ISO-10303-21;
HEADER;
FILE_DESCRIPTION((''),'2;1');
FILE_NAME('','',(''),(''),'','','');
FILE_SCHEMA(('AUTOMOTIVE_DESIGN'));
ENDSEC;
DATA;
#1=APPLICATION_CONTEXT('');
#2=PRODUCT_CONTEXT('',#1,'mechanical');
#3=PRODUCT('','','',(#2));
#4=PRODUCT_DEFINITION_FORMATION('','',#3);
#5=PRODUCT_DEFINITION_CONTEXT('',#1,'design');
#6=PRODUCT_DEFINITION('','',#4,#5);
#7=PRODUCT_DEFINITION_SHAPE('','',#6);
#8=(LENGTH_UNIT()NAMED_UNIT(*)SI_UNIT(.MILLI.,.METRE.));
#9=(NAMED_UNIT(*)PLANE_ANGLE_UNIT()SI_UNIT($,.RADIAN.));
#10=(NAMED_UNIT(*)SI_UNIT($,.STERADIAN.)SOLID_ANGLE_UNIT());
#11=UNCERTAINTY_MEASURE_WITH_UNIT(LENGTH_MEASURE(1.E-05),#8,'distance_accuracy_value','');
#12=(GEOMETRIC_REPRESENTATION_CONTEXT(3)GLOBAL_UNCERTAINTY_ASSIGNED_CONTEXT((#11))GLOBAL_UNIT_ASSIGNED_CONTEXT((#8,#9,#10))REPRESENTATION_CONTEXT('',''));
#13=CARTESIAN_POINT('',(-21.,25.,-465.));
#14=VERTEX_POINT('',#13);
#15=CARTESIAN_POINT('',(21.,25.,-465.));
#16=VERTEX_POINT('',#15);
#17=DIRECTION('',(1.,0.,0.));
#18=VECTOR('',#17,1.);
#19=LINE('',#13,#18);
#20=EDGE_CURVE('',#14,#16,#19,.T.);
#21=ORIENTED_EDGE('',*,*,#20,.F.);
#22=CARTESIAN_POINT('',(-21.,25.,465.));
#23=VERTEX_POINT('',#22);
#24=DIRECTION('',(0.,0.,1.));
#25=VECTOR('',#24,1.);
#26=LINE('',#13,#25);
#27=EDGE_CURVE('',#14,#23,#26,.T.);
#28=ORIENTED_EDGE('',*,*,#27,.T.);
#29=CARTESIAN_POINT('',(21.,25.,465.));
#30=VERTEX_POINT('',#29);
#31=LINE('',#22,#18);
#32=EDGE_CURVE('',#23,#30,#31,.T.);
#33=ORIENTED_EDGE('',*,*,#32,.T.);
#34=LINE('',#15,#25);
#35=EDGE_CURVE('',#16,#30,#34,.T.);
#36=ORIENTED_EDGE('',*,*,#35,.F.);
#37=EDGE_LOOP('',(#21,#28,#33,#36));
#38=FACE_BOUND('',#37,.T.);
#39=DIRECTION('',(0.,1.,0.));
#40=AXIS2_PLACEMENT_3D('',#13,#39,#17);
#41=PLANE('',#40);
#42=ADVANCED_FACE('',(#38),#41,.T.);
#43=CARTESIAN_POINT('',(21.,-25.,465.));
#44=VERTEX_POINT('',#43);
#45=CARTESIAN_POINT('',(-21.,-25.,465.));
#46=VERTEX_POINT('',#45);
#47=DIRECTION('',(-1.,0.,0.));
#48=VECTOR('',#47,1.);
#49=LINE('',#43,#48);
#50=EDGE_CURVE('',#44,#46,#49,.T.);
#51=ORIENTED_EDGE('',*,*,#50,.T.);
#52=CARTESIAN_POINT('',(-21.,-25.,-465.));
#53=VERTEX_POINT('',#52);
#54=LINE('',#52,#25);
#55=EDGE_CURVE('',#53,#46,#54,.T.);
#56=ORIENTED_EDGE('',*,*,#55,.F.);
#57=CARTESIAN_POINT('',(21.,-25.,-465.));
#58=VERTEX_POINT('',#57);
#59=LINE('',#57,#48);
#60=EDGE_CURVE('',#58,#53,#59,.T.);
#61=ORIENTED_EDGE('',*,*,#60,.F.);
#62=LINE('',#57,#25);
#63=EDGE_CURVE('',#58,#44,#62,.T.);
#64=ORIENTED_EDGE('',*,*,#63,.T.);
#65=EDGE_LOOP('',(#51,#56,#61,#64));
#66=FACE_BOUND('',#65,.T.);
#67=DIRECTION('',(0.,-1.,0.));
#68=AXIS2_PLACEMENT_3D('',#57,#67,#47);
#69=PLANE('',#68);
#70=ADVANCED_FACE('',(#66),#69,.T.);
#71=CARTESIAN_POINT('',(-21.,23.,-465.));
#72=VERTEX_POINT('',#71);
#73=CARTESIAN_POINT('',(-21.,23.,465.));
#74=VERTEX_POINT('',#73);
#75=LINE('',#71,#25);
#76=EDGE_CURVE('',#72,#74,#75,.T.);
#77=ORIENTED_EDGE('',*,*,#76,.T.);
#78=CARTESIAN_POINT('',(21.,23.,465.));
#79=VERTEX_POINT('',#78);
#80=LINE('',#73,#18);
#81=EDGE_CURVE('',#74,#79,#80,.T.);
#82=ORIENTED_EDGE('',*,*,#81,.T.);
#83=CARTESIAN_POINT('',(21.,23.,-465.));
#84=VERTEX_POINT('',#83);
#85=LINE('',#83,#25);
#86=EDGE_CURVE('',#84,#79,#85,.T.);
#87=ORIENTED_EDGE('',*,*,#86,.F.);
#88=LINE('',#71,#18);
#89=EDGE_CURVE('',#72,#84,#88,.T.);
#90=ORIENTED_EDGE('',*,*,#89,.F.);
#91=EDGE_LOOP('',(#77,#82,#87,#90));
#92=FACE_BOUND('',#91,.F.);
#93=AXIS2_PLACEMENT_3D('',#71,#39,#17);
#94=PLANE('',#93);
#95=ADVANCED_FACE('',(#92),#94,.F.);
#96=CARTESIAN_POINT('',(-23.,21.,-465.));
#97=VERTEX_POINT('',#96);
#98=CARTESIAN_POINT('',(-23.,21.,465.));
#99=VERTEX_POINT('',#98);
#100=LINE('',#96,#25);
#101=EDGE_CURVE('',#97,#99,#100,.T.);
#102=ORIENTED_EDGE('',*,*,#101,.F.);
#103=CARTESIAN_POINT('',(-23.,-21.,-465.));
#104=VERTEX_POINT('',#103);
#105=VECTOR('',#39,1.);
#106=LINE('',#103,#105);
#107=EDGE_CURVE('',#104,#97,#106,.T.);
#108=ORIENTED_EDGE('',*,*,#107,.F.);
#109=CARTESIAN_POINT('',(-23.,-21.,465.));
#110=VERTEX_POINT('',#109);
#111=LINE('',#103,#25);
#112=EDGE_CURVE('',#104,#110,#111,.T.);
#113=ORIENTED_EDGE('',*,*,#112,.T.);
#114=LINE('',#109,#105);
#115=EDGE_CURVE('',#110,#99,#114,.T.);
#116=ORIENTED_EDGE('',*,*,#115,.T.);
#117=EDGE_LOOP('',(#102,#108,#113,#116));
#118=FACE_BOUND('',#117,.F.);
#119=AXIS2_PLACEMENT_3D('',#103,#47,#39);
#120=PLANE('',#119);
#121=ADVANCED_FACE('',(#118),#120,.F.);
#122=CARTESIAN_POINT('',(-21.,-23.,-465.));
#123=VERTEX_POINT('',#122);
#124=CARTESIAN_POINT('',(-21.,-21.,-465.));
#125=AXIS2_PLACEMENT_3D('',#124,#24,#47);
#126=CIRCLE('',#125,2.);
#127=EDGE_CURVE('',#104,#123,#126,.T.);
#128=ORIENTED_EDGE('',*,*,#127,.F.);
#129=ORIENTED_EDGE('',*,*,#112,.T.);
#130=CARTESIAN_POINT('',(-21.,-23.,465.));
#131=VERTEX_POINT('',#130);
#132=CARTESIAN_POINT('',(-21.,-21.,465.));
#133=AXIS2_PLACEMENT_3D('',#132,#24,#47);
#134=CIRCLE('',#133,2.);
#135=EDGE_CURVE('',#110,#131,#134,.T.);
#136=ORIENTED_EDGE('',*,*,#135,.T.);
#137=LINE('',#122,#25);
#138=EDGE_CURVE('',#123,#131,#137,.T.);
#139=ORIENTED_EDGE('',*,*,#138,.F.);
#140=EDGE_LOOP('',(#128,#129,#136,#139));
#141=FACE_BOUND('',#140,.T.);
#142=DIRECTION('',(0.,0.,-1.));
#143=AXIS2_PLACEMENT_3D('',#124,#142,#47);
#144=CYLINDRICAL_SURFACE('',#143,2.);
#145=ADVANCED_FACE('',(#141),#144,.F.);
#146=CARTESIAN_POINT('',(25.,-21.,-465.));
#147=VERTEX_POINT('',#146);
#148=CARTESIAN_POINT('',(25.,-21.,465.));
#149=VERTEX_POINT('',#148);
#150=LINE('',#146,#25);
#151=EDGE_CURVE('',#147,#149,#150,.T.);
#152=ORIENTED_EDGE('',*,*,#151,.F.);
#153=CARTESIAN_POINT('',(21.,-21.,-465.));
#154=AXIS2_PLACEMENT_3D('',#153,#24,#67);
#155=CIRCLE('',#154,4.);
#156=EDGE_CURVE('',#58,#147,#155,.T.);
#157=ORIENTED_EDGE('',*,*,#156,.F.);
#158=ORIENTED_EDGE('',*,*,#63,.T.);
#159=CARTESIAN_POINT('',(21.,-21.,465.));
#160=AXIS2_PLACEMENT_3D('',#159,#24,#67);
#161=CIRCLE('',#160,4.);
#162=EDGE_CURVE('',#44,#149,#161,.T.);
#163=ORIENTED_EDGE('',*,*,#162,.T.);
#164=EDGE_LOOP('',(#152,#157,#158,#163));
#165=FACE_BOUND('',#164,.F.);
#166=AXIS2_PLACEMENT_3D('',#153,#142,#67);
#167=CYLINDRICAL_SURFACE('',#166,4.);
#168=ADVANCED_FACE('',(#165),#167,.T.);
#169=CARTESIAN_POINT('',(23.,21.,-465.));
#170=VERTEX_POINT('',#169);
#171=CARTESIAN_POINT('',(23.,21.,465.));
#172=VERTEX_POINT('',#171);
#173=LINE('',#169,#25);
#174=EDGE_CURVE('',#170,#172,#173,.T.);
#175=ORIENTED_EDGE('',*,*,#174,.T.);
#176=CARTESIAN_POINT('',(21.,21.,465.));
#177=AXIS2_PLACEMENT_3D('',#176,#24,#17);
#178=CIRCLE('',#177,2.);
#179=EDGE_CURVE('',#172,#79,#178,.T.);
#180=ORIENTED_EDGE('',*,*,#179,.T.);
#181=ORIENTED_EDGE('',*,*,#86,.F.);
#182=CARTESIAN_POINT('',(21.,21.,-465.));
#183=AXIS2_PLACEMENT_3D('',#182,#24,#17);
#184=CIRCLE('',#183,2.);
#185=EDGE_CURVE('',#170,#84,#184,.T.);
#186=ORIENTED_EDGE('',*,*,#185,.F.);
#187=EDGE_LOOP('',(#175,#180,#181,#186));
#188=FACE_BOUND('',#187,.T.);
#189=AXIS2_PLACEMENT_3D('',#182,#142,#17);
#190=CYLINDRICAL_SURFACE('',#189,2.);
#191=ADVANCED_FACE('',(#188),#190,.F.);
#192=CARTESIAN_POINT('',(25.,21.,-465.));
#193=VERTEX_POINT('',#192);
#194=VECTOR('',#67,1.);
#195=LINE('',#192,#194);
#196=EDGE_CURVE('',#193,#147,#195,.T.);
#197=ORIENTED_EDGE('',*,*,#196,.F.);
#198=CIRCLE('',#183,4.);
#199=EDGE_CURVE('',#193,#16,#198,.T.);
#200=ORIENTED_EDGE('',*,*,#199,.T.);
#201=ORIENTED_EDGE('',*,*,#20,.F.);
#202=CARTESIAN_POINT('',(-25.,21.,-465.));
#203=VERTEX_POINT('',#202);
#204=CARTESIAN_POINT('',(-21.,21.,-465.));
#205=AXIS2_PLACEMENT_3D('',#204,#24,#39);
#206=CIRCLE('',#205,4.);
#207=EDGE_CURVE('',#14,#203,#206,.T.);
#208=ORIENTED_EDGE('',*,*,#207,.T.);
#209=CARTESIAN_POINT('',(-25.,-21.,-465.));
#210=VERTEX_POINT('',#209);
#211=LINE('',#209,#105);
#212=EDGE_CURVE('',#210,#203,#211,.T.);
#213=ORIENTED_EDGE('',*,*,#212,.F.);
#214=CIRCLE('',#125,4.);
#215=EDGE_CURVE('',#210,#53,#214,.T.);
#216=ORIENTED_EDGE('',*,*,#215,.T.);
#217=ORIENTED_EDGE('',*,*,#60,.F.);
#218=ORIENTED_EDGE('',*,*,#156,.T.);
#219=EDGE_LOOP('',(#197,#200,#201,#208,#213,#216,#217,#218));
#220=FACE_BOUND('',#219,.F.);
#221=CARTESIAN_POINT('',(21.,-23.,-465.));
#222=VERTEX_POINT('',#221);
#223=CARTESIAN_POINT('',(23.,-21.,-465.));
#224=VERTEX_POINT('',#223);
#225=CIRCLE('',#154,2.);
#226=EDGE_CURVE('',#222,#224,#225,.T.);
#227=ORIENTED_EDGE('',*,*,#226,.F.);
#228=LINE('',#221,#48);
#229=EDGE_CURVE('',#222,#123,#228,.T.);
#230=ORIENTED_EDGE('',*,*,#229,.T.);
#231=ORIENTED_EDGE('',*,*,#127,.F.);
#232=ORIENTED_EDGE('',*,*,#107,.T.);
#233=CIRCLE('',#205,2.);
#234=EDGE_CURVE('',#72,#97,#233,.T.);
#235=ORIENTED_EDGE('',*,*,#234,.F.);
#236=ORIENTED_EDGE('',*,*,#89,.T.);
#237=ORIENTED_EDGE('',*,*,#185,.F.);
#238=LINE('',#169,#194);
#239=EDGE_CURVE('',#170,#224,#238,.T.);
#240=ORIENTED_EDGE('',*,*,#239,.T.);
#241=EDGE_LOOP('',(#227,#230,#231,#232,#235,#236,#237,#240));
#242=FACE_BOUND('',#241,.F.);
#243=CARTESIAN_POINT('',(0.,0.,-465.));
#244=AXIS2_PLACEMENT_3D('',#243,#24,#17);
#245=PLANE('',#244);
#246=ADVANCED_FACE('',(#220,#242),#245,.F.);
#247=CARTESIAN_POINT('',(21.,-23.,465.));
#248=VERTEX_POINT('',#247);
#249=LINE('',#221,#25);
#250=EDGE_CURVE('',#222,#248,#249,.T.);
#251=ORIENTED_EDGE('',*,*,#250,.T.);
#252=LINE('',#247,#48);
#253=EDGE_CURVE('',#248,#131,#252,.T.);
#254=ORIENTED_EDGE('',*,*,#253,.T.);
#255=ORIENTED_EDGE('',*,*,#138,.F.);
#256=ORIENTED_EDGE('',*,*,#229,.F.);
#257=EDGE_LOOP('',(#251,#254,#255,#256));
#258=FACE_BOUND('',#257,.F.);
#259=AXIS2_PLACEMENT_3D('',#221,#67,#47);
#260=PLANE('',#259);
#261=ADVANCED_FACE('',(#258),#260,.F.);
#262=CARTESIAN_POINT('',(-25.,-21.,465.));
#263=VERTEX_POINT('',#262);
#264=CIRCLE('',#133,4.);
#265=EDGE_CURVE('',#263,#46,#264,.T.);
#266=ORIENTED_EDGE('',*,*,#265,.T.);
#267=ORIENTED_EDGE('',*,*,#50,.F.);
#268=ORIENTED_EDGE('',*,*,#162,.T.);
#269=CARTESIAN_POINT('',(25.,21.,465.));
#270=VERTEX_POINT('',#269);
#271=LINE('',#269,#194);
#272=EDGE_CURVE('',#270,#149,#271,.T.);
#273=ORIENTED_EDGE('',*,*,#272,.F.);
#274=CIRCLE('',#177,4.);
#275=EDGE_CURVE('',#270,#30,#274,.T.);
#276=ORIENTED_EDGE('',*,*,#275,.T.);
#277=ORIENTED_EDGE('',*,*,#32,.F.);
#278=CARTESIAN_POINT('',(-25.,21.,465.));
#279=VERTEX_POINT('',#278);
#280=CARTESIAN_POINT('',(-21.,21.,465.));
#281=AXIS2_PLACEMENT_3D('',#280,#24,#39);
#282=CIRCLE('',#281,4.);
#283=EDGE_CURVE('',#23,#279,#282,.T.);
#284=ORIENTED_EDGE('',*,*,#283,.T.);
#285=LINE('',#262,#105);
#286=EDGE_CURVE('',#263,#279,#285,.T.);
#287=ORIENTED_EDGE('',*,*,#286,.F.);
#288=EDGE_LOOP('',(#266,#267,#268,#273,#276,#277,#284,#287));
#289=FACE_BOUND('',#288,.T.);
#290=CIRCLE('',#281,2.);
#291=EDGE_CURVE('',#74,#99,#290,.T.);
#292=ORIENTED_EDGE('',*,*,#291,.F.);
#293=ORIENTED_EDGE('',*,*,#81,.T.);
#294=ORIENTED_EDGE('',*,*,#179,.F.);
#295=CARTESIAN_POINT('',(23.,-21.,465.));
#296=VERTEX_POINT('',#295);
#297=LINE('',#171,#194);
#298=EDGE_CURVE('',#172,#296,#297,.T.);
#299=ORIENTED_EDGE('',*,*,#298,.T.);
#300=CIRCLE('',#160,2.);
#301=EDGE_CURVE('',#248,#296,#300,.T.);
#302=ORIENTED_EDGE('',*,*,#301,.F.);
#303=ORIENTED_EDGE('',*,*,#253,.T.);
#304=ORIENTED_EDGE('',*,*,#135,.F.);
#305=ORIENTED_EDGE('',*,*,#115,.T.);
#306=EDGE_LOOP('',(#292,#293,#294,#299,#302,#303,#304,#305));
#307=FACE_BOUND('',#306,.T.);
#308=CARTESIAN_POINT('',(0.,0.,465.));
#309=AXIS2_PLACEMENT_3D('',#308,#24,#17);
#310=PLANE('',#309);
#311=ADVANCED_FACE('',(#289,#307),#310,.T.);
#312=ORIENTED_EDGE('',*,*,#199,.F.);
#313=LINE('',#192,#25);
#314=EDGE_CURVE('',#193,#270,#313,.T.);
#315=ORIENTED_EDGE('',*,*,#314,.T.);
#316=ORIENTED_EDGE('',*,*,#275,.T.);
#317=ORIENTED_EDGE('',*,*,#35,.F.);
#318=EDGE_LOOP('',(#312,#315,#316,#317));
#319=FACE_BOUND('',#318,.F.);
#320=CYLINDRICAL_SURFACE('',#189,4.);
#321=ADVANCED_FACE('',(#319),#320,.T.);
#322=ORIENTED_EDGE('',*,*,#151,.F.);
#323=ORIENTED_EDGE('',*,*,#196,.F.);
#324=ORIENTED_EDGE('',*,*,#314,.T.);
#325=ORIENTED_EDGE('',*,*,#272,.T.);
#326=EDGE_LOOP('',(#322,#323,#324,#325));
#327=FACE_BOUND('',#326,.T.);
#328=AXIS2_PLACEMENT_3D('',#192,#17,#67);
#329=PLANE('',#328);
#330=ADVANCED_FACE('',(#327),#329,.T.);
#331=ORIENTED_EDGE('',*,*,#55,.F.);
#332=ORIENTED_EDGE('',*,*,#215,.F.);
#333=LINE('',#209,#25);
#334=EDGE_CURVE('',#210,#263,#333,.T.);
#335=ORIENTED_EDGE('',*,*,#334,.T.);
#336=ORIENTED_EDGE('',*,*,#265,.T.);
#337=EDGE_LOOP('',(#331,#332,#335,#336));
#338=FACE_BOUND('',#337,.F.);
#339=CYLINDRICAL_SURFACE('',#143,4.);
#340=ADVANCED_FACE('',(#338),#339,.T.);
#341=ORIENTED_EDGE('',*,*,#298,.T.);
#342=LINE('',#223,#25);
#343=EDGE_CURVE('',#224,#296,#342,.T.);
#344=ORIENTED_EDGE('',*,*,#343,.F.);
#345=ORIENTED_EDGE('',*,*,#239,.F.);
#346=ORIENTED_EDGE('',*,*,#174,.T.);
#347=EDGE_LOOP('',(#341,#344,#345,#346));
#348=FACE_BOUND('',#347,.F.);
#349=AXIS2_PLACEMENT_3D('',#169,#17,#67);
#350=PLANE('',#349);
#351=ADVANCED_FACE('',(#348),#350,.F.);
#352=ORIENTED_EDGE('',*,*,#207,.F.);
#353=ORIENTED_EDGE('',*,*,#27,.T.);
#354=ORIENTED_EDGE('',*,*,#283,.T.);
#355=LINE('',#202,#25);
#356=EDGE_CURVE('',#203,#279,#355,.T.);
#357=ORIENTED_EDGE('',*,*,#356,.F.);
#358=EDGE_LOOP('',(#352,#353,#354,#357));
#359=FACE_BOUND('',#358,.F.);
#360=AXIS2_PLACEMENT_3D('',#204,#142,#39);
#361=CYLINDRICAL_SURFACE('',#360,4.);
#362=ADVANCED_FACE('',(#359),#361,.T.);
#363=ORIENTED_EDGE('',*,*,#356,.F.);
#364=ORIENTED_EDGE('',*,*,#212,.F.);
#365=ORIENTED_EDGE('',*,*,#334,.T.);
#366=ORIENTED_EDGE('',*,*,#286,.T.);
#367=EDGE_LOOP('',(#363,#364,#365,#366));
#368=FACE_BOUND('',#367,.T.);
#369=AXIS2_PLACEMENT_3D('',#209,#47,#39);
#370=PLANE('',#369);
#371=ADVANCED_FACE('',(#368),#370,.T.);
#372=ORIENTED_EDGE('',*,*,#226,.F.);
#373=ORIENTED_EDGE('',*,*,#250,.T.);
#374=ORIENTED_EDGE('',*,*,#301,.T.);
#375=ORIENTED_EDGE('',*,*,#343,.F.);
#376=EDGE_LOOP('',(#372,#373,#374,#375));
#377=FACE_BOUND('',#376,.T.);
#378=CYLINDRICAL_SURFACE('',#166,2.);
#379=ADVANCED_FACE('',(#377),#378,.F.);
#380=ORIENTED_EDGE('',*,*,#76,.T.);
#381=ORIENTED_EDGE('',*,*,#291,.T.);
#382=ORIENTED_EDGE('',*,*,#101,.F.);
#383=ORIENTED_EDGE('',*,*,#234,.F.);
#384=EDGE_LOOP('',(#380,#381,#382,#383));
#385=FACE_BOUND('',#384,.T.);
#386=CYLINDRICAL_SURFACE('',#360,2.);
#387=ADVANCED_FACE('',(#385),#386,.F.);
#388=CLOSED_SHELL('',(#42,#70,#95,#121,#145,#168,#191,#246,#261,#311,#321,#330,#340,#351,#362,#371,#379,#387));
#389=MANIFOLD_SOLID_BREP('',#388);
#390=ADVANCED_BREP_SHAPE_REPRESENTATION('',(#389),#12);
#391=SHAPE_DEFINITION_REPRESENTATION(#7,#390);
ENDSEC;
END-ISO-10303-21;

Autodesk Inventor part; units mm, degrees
ref_plane "Plano inicial" through (0, 0, -465) normal (0, 0, 1) x (1, 0, 0)
ref_plane "Plano final" through (0, 0, 465) normal (0, 0, 1) x (1, 0, 0)
sketch "Boceto" plane through (0, 0, 0) normal (0, 0, 1) x (1, 0, 0)
  line L0 (-25, -21) -> (-25, 21)
  line L1 (-21, 25) -> (21, 25)
  line L2 (25, 21) -> (25, -21)
  line L3 (21, -25) -> (-21, -25)
  arc A0 (-25, -21) -> (-21, -25) centre (-21, -21) ccw
  arc A1 (25, 21) -> (21, 25) centre (21, 21) ccw
  arc A2 (-21, 25) -> (-25, 21) centre (-21, 21) ccw
  arc A3 (21, -25) -> (25, -21) centre (21, -21) ccw
  arc A4 (-21, 23) -> (-23, 21) centre (-21, 21) ccw
  line L4 (-21, 23) -> (21, 23)
  arc A5 (23, 21) -> (21, 23) centre (21, 21) ccw
  line L5 (23, 21) -> (23, -21)
  arc A6 (21, -23) -> (23, -21) centre (21, -21) ccw
  line L6 (21, -23) -> (-21, -23)
  arc A7 (-23, -21) -> (-21, -23) centre (-21, -21) ccw
  line L7 (-23, -21) -> (-23, 21)
  line L8 (0, 36.1598) -> (0, -36.1598) construction
  line L9 (-36.1598, 0) -> (36.1598, 0) construction
  dimension "d7" = 4
  dimension "d9" = 50
  dimension "d11" = 50
  dimension "d12" = 2
  dimension "d15" = 25
  dimension "d16" = 25
extrude "Cuerpo" add sketch "Boceto" along normal up to surface (930 mm away) from surface at -465
sketch "Sketch3" plane through (0, 0, 0) normal (0, 0, 1) x (1, 0, 0)
  line L0 (0, 0) -> (10, 0)
ref_plane "Work Plane3" through (0, 0, 0) normal (0, -1, 0) x (1, 0, 0)
sketch "Sketch4" plane through (0, 0, 0) normal (0, -1, 0) x (1, 0, 0)
  line L0 (-2, -465) -> (12, -465)
  line L1 (-2, 465) -> (12, 465)
  dimension "d18" = 930
ref_plane "Plano de trabajo4" through (2315, 29, -465) normal (0, 0, -1) x (-1, 0, 0)
split "Dividir1" plane through (2315, 29, -465) removes the side toward (0, 0, -1)
ref_plane "Plano de trabajo5" through (2315, -29, 465) normal (0, 0, 1) x (1, 0, 0)
split "Dividir2" plane through (2315, -29, 465) removes the side toward (0, 0, 1)
equation "\"d7\" = G_IR"
equation "\"d9\" = G_W"
equation "\"d11\" = G_H"
equation "\"d12\" = G_T"
equation "\"d15\" = 0.5 * d9"
equation "\"d16\" = 0.5 * d11"
equation "\"d3\" = G_L"
equation "\"G_W\" = 50"
equation "\"G_H\" = 50"
equation "\"G_T\" = 2"
equation "\"G_IR\" = 4"
equation "\"G_L\" = d18"
equation "\"G_OFFSET_START\" = 465"
equation "\"G_OFFSET_END\" = -35"
equation "\"d13\" = -G_OFFSET_START"
equation "\"d14\" = G_OFFSET_END + B_L"
equation "\"B_L\" = 500"
properties part number "ISO 10799-2 - 50x50x2 - 930" material "Galvanizado catalogo 1"
